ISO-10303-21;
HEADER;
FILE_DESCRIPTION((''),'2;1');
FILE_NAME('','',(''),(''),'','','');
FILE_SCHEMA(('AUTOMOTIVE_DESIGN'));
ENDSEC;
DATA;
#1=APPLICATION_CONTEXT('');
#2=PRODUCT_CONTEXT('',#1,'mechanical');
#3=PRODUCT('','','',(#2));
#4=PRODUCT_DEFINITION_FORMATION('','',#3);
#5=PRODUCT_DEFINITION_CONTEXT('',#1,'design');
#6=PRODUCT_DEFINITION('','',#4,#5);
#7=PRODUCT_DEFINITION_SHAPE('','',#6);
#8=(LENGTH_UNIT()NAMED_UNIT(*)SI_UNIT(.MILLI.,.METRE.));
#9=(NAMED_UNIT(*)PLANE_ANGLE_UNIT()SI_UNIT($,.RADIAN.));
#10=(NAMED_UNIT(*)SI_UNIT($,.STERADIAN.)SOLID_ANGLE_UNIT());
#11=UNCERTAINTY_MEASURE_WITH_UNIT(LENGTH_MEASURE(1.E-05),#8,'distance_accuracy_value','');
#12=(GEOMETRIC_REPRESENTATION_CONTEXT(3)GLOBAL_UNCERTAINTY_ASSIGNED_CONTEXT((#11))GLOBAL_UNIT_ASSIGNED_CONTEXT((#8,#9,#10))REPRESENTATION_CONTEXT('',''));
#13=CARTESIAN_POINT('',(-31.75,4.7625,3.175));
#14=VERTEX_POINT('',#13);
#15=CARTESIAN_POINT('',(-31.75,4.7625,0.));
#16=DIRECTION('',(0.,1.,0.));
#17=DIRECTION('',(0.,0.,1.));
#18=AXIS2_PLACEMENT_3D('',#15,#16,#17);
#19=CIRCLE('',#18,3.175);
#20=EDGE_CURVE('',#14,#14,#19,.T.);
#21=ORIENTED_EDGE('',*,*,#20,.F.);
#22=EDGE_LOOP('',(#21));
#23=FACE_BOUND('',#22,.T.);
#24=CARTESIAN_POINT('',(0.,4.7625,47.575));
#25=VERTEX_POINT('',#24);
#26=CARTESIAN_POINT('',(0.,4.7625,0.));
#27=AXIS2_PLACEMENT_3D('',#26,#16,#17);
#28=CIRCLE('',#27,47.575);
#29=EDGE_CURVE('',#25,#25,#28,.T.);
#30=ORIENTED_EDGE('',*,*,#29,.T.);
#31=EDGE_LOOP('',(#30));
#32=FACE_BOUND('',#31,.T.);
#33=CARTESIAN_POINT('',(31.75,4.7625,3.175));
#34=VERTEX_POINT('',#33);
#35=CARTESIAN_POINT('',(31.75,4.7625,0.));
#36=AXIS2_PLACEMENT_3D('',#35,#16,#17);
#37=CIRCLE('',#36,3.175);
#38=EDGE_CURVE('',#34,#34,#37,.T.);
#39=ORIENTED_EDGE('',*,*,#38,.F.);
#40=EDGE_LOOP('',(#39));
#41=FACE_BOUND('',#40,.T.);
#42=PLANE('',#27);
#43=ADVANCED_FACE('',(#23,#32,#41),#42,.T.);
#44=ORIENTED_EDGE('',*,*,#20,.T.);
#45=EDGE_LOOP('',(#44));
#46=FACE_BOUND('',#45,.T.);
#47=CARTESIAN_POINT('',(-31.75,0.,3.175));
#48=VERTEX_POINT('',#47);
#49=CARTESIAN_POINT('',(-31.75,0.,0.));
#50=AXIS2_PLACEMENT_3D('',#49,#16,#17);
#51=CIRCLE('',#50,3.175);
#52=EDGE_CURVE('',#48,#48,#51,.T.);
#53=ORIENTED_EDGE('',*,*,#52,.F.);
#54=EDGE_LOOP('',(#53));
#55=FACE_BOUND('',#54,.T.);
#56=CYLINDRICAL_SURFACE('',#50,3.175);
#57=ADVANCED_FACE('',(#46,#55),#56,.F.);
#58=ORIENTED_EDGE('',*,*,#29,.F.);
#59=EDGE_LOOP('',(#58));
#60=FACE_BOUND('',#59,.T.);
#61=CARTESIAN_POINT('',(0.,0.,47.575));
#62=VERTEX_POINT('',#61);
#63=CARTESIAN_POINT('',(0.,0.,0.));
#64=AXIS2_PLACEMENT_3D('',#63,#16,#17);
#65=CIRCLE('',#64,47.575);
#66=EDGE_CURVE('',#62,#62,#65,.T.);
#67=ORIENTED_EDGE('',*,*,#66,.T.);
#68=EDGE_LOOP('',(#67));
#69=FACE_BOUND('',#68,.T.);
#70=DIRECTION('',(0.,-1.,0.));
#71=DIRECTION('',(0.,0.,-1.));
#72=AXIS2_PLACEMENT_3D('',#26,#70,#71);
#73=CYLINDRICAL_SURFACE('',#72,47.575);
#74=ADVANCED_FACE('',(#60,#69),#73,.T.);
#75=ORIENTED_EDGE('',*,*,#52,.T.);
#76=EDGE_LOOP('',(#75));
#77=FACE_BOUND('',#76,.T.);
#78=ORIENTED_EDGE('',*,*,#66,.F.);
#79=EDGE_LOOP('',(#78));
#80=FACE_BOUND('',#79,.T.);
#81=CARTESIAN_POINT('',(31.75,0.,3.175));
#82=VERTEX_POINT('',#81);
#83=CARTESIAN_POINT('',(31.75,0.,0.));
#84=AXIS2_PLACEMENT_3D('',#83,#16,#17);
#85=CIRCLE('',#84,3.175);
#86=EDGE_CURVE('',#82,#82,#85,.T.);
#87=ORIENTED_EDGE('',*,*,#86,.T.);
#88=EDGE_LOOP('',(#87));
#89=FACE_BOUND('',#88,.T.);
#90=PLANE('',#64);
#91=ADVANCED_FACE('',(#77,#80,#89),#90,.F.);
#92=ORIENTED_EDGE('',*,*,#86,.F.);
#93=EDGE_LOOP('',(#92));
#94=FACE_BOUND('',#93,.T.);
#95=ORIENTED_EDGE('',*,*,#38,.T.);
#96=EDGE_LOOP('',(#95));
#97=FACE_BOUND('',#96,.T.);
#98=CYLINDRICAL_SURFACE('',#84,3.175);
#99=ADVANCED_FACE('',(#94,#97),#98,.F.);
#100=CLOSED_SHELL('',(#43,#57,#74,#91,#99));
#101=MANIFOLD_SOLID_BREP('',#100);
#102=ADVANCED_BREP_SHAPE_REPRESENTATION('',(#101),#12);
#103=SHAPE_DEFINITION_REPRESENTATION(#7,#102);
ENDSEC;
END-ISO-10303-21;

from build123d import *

# Parameters (mm, degrees)
SKETCH1_R           = 47.575
BOSS_EXTRUDE1_DEPTH = 4.7625
SKETCH2_R           = 3.175
CUT_EXTRUDE1_DEPTH  = 5.7625


with BuildPart() as part:
    # Sketch1 → Boss-Extrude1 (new body)
    with BuildSketch(Plane(origin=(0, 0, 0), x_dir=(1, 0, 0), z_dir=(0, 1, 0))):
        Circle(SKETCH1_R)
    extrude(amount=BOSS_EXTRUDE1_DEPTH)

    # Sketch2 → Cut-Extrude1 (cut, through all)
    with BuildSketch(Plane(origin=(0, 4.7625, 0), x_dir=(1, 0, 0), z_dir=(0, 1, 0))):
        with Locations((31.75, 0)):
            Circle(SKETCH2_R)
        with Locations((-31.75, 0)):
            Circle(SKETCH2_R)
    extrude(amount=-CUT_EXTRUDE1_DEPTH, mode=Mode.SUBTRACT)


solid = part.part
